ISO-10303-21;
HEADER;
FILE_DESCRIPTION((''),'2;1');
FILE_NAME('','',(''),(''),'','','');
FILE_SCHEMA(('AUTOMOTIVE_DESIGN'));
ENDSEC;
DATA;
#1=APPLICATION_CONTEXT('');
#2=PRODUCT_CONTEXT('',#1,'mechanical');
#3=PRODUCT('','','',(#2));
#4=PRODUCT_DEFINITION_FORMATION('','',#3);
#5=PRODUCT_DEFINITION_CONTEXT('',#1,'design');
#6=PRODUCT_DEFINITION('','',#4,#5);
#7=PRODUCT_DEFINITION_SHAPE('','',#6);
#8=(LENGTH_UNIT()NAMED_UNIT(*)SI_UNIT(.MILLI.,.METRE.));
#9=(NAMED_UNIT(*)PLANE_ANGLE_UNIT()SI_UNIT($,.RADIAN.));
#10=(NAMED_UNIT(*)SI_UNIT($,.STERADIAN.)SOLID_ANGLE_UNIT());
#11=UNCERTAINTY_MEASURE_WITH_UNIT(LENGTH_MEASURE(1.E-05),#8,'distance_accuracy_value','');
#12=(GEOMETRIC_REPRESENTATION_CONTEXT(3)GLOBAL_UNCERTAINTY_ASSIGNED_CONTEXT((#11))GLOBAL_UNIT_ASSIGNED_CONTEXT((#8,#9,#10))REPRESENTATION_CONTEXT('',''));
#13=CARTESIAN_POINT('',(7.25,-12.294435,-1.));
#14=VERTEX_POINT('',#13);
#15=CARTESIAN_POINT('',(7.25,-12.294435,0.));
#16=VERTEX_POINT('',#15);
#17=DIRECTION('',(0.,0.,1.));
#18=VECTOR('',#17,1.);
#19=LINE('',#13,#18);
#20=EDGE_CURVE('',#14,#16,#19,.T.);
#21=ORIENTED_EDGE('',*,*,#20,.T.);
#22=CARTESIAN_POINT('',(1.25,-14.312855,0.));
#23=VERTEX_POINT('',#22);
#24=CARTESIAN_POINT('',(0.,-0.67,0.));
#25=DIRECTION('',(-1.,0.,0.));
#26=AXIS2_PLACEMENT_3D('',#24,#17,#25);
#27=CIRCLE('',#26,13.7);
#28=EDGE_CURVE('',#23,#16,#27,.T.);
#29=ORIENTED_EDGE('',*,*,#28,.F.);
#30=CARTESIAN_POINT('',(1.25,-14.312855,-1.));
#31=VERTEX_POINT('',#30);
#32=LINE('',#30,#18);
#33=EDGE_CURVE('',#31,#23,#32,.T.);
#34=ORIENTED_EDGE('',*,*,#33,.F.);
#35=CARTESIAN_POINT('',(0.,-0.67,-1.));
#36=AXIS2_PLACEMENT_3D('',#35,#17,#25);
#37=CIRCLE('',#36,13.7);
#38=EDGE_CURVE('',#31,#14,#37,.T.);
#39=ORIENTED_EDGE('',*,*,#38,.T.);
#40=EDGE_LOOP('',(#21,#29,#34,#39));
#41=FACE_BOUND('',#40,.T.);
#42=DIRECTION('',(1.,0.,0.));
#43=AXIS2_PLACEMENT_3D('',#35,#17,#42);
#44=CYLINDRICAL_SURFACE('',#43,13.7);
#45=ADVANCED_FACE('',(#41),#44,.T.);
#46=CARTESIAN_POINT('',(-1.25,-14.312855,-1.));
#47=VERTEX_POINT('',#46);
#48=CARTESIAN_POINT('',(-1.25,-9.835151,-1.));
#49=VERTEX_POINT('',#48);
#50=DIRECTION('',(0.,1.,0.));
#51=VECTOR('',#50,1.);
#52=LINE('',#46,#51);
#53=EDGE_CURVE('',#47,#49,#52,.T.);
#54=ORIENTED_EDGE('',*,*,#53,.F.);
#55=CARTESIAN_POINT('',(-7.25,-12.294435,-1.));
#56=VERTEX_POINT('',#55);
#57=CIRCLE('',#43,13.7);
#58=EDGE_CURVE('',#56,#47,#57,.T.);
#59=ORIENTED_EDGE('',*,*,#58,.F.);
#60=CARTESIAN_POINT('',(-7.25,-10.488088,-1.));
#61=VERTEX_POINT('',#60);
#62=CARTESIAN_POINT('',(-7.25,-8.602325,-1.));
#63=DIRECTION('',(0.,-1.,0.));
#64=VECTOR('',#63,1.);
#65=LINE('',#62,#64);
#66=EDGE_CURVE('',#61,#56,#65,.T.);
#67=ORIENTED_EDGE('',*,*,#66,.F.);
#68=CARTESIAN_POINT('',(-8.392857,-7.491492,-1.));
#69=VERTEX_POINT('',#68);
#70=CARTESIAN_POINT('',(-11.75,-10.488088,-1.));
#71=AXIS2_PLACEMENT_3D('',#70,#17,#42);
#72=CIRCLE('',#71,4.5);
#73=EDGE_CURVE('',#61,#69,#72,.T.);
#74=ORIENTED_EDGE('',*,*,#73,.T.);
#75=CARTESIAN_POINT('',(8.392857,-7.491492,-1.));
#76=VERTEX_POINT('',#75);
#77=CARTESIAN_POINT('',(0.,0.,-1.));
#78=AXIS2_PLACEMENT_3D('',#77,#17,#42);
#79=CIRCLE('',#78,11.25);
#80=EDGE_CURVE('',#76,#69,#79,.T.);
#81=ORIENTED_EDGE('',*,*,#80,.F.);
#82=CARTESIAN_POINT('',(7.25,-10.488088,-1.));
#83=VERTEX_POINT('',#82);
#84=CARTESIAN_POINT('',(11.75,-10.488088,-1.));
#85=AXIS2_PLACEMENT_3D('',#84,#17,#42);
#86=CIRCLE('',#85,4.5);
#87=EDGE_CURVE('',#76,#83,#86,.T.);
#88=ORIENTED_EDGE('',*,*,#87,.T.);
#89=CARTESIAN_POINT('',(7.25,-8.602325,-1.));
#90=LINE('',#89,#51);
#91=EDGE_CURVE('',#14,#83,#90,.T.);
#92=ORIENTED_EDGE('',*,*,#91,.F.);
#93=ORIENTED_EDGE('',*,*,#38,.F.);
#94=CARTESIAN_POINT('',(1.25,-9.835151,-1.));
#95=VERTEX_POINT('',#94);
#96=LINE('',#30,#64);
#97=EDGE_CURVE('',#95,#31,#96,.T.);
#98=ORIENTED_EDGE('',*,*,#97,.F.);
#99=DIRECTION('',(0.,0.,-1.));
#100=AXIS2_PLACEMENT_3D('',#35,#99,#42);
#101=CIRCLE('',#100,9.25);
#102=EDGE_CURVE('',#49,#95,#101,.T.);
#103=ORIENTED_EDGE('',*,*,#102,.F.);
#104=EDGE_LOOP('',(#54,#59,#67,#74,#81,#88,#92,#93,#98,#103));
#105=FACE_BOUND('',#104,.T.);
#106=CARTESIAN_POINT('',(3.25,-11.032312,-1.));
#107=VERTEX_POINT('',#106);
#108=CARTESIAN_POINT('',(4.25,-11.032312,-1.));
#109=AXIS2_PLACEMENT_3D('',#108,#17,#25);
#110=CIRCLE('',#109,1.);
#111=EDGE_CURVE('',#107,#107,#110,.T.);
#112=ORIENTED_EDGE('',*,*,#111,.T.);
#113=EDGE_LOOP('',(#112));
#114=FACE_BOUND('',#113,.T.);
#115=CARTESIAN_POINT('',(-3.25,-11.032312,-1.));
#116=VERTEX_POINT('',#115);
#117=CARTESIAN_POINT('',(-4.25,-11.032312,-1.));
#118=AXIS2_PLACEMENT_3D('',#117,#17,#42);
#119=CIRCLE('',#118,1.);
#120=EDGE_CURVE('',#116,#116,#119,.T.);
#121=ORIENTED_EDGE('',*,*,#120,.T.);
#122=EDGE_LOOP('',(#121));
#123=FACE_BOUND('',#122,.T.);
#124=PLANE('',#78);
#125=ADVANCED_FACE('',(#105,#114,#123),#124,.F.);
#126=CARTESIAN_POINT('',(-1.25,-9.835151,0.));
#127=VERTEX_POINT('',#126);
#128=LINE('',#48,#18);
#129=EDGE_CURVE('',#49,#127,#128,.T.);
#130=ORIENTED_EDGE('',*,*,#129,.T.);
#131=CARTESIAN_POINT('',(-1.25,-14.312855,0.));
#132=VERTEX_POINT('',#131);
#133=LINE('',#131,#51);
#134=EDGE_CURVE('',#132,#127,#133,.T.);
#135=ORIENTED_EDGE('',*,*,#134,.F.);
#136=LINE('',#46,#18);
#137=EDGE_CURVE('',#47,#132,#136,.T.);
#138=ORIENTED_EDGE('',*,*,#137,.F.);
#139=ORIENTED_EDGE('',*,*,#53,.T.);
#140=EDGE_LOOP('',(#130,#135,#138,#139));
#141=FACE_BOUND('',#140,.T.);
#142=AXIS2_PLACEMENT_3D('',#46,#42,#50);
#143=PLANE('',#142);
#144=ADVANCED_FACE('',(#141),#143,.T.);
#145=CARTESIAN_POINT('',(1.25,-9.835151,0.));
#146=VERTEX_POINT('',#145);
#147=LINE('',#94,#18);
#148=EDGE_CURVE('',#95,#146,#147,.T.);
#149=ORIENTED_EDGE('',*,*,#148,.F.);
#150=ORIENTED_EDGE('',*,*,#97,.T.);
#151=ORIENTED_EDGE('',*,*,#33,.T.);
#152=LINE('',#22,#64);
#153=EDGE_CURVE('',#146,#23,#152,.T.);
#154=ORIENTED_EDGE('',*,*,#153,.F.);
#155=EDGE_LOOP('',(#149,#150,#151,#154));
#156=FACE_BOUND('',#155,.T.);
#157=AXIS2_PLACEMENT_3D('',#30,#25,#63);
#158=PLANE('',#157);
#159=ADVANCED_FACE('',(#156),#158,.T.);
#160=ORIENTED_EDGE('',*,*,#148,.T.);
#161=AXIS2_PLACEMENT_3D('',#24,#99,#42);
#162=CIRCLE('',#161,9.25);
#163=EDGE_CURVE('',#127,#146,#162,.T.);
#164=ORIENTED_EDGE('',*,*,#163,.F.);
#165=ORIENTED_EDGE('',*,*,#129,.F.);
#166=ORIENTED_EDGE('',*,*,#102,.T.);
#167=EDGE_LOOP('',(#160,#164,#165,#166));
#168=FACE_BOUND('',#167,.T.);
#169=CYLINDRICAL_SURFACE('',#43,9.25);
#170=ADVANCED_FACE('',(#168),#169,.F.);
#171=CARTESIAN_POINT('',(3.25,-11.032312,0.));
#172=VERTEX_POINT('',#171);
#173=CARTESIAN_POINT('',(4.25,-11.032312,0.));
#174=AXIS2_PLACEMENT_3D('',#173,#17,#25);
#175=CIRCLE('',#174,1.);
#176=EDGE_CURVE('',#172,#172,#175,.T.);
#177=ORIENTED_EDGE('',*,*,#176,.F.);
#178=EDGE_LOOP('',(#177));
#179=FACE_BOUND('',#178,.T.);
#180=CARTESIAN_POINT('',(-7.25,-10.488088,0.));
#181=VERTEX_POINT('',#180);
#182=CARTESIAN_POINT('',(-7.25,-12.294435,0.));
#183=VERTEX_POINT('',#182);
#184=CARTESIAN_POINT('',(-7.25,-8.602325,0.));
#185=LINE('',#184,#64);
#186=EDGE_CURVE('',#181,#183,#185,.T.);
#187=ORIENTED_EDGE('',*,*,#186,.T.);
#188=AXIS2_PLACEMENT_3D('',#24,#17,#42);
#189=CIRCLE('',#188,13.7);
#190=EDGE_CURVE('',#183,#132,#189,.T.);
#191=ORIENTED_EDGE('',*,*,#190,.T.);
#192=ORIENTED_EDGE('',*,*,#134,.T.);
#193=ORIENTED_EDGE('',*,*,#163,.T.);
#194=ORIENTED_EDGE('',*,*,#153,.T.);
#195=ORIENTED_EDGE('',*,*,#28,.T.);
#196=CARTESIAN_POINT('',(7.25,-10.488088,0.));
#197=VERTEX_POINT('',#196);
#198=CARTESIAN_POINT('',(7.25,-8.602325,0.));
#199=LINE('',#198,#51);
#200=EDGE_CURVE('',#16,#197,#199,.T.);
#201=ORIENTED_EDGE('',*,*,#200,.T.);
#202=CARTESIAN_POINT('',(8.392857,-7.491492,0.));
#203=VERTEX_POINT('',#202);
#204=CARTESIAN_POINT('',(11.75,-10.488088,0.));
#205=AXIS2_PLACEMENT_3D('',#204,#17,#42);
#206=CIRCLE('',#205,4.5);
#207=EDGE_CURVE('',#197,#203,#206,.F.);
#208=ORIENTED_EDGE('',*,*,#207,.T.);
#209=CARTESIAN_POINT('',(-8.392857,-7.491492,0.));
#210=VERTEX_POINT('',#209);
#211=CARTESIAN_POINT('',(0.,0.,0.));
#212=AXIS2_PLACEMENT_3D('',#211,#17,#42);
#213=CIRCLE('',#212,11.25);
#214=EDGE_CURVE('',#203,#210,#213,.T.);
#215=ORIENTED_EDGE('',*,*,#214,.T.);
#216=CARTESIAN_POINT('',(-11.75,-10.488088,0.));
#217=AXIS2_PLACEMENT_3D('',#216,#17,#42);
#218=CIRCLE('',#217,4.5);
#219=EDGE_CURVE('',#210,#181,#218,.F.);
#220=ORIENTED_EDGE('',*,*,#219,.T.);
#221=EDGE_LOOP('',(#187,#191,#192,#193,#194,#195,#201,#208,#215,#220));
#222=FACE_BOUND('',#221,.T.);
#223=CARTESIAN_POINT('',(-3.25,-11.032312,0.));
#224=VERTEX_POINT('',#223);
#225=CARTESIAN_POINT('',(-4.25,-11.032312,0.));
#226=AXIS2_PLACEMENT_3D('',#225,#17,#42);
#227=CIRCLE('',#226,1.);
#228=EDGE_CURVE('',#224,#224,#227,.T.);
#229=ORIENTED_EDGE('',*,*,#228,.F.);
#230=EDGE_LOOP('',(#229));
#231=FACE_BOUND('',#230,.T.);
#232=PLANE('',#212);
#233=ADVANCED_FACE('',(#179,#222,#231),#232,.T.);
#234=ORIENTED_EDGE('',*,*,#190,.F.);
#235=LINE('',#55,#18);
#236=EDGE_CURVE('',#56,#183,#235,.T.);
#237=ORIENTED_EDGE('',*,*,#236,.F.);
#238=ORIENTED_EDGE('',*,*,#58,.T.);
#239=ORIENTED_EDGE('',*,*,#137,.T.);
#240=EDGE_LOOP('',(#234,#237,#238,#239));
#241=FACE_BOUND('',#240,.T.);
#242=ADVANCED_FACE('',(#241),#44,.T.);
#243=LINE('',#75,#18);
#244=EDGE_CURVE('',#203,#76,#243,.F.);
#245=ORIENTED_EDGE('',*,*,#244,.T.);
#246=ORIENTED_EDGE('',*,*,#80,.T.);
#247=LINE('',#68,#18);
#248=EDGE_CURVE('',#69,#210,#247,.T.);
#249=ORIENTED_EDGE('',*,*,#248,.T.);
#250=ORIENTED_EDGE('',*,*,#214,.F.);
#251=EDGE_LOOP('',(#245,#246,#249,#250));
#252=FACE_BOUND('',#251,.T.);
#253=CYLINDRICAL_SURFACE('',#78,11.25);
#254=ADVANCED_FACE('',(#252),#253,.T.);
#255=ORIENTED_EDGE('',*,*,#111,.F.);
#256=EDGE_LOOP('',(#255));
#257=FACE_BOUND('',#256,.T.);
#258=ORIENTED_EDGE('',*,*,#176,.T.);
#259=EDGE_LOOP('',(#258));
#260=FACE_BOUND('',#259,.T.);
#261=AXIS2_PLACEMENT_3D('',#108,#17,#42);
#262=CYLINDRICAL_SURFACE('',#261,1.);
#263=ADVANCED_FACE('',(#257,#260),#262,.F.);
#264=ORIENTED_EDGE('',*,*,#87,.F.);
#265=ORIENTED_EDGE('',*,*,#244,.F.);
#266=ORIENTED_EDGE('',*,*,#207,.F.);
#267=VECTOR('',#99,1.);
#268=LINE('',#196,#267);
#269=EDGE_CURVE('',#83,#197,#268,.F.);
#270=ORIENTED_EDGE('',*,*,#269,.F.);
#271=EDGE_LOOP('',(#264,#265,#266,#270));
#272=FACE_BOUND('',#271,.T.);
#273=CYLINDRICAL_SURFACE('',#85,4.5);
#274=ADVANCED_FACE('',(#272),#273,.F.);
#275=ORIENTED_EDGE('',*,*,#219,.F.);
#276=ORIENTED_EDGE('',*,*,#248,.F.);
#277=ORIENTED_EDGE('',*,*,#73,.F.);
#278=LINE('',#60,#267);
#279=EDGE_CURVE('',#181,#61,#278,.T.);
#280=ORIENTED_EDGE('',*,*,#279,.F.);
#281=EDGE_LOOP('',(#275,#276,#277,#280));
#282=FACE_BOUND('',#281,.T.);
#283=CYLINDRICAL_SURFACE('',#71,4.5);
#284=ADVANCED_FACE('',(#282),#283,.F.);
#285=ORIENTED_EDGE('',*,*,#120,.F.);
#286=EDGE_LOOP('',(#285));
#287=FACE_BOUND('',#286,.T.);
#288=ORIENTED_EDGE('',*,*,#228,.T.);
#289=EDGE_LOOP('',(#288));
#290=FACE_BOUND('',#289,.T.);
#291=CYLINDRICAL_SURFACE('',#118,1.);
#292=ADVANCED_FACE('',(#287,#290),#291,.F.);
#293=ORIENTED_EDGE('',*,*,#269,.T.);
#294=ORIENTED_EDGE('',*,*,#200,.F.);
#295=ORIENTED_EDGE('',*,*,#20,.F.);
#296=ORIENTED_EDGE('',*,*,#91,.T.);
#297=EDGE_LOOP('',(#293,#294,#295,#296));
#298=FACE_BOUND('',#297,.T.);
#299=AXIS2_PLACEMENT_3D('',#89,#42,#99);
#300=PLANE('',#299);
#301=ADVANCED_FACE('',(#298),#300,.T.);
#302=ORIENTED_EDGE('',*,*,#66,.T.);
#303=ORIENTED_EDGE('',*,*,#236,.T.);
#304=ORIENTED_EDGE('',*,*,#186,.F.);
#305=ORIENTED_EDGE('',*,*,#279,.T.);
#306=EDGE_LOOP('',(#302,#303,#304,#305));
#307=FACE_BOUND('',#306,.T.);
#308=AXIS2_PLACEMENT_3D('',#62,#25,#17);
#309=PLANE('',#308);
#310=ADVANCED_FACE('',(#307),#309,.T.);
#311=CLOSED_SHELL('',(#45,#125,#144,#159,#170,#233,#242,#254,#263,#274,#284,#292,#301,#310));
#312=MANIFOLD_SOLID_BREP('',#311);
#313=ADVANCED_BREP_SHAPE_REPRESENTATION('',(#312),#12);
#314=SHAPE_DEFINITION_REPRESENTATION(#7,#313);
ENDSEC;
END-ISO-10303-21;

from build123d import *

# Parameters (mm, degrees)
SKETCH1_R  = 1
BODY_DEPTH = 1
FILLET1_R  = 4.5


with BuildPart() as part:
    # Sketch1 → Body (new body)
    with BuildSketch(Plane.XY):
        with BuildLine():
            Line((-1.25, -14.312855273), (-1.25, -9.83515139))
            ThreePointArc((-1.25, -9.83515139), (0, 8.58), (1.25, -9.83515139))
            Line((1.25, -9.83515139), (1.25, -14.312855273))
            ThreePointArc((1.25, -14.312855273), (4.368180929, -13.654952652), (7.25, -12.29443547))
            Line((7.25, -12.29443547), (7.25, -8.602325267))
            ThreePointArc((7.25, -8.602325267), (0, 11.25), (-7.25, -8.602325267))
            Line((-7.25, -8.602325267), (-7.25, -12.29443547))
            ThreePointArc((-7.25, -12.29443547), (-4.368180929, -13.654952652), (-1.25, -14.312855273))
        make_face()
        with Locations((-4.25, -11.032311518)):
            Circle(SKETCH1_R, mode=Mode.SUBTRACT)
        with Locations(Location((4.25, -11.032311518, 0), (0, 0, 180))):
            Circle(SKETCH1_R, mode=Mode.SUBTRACT)
    extrude(amount=-BODY_DEPTH)

    # Fillet1
    fillet1_edges = [part.edges().sort_by_distance(p)[0] for p in [
        (7.25, -8.602325267, -0.5),
        (-7.25, -8.602325267, -0.5),
    ]]
    fillet(fillet1_edges, radius=FILLET1_R)


solid = part.part
